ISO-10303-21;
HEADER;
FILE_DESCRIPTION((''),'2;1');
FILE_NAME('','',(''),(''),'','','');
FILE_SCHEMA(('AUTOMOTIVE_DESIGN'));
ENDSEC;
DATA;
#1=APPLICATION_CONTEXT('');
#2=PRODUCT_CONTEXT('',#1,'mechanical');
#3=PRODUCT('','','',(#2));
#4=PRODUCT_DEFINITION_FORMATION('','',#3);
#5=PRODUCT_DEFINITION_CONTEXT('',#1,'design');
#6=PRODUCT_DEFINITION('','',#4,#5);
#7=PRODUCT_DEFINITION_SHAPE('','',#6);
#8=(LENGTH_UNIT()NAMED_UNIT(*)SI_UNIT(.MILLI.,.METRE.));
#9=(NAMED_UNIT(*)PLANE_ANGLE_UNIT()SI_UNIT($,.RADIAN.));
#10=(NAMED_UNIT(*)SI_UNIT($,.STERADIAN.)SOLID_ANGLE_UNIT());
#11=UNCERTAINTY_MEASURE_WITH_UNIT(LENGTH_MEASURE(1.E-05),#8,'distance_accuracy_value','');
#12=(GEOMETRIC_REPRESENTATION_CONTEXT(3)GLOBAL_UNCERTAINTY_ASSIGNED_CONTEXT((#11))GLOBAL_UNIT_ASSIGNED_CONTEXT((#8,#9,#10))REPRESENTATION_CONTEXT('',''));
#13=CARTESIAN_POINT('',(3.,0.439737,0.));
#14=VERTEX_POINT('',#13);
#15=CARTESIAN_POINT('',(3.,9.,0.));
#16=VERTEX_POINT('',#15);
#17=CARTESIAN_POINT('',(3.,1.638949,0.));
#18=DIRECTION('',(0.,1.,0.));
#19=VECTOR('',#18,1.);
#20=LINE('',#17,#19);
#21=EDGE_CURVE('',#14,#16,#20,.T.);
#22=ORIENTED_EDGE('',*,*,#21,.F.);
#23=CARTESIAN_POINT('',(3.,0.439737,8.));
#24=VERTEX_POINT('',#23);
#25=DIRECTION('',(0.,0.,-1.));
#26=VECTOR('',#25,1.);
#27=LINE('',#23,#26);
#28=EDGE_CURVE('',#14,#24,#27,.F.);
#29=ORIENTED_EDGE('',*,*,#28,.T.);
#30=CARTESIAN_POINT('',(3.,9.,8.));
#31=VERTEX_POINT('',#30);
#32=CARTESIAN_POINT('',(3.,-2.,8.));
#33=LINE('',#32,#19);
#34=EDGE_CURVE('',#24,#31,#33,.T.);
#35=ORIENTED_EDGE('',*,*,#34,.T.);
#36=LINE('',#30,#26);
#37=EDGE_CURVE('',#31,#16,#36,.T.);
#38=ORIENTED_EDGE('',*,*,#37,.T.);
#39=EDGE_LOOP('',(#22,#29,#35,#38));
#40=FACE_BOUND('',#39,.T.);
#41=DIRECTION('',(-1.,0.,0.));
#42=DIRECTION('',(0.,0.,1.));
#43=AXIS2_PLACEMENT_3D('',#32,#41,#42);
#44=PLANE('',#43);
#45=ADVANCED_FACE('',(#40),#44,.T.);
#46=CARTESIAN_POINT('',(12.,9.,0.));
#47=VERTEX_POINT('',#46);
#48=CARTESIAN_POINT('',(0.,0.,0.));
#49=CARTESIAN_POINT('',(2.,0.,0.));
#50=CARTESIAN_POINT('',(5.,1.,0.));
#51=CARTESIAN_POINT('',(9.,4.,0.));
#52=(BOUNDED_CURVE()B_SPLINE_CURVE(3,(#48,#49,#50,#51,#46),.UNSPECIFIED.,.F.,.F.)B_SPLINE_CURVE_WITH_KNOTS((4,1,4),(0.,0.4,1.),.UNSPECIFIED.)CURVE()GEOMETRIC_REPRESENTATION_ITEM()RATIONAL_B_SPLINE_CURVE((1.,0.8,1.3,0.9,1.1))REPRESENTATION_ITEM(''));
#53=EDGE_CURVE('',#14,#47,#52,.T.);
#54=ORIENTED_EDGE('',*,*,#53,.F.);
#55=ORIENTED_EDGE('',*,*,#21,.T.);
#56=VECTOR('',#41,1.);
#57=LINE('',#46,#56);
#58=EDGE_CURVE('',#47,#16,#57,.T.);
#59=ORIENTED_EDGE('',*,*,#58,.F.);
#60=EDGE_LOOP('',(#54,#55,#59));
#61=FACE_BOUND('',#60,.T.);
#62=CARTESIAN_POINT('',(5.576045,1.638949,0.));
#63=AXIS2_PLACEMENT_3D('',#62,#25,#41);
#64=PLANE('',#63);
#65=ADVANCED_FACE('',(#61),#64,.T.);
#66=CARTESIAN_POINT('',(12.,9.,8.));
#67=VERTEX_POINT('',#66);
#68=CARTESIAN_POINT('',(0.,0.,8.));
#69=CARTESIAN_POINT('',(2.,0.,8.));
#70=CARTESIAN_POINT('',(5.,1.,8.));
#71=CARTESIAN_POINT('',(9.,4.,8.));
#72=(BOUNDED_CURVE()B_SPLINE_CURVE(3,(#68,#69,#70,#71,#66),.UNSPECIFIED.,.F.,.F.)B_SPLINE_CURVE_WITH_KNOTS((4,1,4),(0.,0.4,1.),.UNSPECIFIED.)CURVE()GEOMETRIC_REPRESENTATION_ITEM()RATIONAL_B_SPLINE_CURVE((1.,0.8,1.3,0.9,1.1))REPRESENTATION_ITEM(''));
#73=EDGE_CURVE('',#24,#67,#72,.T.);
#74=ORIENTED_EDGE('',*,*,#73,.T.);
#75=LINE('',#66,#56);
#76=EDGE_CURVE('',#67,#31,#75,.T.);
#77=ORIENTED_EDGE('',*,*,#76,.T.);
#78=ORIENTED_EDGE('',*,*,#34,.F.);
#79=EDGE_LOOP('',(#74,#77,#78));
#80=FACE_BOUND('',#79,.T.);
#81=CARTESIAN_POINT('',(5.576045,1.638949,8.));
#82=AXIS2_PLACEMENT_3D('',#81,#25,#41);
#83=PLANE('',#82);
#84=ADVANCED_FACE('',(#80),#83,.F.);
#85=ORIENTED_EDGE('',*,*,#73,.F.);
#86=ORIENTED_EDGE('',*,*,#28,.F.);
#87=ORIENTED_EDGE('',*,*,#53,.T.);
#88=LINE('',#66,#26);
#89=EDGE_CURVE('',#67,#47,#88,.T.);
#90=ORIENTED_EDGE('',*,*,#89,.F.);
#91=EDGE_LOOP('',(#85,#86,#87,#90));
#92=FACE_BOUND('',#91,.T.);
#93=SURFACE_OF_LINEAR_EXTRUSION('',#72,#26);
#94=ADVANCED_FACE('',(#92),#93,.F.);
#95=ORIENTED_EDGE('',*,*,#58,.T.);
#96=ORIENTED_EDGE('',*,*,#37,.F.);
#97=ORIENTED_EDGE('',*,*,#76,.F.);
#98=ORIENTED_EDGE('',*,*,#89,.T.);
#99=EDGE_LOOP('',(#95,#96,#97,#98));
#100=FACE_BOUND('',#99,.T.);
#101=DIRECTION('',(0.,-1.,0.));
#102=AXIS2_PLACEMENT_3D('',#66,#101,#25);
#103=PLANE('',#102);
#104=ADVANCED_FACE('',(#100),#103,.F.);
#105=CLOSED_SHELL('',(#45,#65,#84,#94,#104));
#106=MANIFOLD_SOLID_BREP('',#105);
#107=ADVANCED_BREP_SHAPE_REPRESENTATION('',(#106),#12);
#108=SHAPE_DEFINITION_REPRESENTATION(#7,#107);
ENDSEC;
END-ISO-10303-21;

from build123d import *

# Parameters (mm, degrees)
FEATURE_PRISM_DEPTH = 8
PROFILE_CUT_W       = 5
PROFILE_CUT_H       = 13
FEATURE_TRIM_DEPTH  = 18.000000171


with BuildPart() as part:
    # profile:rational → feature:prism (new body)
    with BuildSketch(Plane.XY):
        with BuildLine():
            Line((12, 9), (0, 9))
            Line((0, 9), (0, 0))
            add(Edge.make_bspline(
                [(0, 0), (2, 0), (5, 1), (9, 4), (12, 9)],
                knots=[0, 0, 0, 0, 0.4, 1, 1, 1, 1], degree=3, weights=[1, 0.8, 1.3, 0.9, 1.1]))
        make_face()
    extrude(amount=FEATURE_PRISM_DEPTH)

    # profile:cut → feature:trim (cut, through all)
    with BuildSketch(Plane.XY):
        with Locations((0.5, 4.5)):
            Rectangle(PROFILE_CUT_W, PROFILE_CUT_H)
    extrude(amount=FEATURE_TRIM_DEPTH, mode=Mode.SUBTRACT)


solid = part.part
